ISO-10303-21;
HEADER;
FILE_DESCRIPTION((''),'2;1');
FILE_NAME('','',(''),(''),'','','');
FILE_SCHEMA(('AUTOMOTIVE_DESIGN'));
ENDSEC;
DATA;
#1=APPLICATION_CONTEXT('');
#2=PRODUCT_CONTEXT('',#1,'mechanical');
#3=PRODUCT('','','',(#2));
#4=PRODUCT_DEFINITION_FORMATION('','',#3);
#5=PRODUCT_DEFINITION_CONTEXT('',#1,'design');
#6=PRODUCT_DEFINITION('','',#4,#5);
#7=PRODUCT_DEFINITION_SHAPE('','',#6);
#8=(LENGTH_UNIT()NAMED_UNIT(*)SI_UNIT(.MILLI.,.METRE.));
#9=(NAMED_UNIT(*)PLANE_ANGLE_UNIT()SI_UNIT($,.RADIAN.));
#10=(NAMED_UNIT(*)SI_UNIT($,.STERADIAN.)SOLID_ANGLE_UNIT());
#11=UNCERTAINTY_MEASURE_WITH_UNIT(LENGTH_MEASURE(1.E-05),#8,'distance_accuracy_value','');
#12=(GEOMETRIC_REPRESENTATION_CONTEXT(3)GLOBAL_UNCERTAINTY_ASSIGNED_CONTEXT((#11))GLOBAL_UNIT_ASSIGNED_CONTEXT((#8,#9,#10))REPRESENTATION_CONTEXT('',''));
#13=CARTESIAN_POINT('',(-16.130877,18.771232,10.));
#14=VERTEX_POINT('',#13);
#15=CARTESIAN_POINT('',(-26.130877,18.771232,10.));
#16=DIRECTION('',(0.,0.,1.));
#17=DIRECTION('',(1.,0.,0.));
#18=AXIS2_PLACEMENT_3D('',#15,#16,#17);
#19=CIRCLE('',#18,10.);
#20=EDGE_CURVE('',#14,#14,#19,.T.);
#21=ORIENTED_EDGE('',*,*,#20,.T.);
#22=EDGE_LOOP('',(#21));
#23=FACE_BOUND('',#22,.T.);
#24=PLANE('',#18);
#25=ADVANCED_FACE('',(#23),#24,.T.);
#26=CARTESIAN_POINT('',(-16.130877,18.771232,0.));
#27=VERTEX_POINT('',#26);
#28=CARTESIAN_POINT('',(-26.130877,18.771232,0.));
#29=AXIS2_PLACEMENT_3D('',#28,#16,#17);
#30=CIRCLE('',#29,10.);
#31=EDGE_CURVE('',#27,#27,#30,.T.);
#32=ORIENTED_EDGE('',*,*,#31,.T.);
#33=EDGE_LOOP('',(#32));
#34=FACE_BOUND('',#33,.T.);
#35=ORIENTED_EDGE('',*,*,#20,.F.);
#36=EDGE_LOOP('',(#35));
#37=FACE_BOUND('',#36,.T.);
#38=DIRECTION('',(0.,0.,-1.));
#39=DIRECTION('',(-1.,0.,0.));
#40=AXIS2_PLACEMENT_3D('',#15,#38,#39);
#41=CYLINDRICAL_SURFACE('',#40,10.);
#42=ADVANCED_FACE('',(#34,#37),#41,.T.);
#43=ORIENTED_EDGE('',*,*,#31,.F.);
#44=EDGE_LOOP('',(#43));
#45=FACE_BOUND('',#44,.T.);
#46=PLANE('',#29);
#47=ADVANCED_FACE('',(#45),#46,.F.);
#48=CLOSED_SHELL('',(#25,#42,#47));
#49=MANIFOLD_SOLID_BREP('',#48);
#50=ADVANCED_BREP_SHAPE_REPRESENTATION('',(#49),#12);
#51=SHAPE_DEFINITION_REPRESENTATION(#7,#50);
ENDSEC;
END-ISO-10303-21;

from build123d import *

# Parameters (mm, degrees)
SKETCH1_R           = 10
BOSS_EXTRUDE1_DEPTH = 10


with BuildPart() as part:
    # Sketch1 → Boss-Extrude1 (new body)
    with BuildSketch(Plane.XY):
        with Locations((-26.130877465, 18.771231597)):
            Circle(SKETCH1_R)
    extrude(amount=BOSS_EXTRUDE1_DEPTH)


solid = part.part
